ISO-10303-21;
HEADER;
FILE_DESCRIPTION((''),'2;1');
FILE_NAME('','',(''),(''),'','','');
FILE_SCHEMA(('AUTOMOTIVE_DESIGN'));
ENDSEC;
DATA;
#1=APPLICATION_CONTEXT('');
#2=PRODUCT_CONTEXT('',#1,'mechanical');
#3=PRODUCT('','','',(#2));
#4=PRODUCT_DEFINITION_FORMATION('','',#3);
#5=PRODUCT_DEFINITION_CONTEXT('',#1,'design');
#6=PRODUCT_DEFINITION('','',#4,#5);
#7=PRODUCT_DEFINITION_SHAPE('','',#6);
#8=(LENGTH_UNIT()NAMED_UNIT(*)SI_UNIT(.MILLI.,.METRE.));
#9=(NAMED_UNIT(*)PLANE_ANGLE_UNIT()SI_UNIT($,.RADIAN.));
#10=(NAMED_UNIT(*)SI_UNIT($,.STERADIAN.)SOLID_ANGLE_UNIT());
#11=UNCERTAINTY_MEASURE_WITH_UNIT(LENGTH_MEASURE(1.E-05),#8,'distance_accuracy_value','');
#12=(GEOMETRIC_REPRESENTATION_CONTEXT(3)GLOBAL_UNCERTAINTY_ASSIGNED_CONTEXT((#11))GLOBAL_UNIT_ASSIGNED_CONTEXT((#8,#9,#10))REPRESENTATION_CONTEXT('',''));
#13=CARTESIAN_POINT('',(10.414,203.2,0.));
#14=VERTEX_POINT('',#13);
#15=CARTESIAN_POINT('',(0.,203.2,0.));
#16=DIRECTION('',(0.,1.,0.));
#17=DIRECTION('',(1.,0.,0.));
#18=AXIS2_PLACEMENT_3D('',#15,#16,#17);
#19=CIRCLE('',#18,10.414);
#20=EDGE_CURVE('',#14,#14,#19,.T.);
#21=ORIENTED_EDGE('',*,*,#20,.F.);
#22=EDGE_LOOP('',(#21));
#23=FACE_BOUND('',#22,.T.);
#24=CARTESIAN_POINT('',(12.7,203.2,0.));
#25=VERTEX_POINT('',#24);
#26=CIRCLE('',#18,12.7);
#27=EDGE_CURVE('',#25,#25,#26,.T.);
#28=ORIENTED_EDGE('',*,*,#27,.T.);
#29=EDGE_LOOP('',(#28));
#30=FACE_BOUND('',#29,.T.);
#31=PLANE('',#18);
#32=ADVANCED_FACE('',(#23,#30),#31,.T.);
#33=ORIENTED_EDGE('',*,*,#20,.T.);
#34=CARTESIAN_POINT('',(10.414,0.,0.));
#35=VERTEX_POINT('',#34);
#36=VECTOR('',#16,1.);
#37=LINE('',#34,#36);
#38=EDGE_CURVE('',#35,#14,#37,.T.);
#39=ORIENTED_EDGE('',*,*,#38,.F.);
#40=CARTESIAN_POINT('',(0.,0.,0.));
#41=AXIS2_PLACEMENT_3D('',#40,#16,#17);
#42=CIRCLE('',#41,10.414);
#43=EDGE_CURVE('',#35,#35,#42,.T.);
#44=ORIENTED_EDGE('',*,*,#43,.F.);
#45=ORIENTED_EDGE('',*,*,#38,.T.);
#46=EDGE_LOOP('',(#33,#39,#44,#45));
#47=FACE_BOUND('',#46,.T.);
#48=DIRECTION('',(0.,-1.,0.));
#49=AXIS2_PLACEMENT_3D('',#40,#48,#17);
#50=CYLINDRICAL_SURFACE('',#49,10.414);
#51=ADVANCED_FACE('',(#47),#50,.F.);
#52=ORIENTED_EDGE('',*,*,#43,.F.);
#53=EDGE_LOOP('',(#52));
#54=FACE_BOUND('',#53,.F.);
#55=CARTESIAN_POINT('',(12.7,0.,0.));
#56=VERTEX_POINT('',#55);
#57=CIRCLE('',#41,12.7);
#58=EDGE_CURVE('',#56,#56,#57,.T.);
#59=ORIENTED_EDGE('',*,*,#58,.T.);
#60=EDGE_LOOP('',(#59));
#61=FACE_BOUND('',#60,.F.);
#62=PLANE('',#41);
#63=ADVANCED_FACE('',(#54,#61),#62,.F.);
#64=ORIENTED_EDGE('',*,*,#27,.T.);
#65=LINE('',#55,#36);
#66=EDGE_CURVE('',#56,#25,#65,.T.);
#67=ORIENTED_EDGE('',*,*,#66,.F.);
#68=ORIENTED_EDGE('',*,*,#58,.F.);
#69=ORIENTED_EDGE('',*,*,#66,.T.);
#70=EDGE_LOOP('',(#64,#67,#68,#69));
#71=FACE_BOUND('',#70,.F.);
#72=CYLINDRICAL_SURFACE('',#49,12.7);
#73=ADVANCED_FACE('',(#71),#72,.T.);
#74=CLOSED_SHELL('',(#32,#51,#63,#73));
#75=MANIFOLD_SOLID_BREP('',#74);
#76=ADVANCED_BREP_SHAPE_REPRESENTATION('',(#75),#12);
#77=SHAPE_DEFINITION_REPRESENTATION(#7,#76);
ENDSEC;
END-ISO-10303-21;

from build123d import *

# Parameters (mm, degrees)
SKETCH1_R           = 12.7
SKETCH1_R_2         = 10.414
BOSS_EXTRUDE1_DEPTH = 203.2


with BuildPart() as part:
    # Sketch1 → Boss-Extrude1 (new body)
    with BuildSketch(Plane(origin=(0, 0, 0), x_dir=(1, 0, 0), z_dir=(0, 1, 0))):
        Circle(SKETCH1_R)
        Circle(SKETCH1_R_2, mode=Mode.SUBTRACT)
    extrude(amount=BOSS_EXTRUDE1_DEPTH)


solid = part.part
